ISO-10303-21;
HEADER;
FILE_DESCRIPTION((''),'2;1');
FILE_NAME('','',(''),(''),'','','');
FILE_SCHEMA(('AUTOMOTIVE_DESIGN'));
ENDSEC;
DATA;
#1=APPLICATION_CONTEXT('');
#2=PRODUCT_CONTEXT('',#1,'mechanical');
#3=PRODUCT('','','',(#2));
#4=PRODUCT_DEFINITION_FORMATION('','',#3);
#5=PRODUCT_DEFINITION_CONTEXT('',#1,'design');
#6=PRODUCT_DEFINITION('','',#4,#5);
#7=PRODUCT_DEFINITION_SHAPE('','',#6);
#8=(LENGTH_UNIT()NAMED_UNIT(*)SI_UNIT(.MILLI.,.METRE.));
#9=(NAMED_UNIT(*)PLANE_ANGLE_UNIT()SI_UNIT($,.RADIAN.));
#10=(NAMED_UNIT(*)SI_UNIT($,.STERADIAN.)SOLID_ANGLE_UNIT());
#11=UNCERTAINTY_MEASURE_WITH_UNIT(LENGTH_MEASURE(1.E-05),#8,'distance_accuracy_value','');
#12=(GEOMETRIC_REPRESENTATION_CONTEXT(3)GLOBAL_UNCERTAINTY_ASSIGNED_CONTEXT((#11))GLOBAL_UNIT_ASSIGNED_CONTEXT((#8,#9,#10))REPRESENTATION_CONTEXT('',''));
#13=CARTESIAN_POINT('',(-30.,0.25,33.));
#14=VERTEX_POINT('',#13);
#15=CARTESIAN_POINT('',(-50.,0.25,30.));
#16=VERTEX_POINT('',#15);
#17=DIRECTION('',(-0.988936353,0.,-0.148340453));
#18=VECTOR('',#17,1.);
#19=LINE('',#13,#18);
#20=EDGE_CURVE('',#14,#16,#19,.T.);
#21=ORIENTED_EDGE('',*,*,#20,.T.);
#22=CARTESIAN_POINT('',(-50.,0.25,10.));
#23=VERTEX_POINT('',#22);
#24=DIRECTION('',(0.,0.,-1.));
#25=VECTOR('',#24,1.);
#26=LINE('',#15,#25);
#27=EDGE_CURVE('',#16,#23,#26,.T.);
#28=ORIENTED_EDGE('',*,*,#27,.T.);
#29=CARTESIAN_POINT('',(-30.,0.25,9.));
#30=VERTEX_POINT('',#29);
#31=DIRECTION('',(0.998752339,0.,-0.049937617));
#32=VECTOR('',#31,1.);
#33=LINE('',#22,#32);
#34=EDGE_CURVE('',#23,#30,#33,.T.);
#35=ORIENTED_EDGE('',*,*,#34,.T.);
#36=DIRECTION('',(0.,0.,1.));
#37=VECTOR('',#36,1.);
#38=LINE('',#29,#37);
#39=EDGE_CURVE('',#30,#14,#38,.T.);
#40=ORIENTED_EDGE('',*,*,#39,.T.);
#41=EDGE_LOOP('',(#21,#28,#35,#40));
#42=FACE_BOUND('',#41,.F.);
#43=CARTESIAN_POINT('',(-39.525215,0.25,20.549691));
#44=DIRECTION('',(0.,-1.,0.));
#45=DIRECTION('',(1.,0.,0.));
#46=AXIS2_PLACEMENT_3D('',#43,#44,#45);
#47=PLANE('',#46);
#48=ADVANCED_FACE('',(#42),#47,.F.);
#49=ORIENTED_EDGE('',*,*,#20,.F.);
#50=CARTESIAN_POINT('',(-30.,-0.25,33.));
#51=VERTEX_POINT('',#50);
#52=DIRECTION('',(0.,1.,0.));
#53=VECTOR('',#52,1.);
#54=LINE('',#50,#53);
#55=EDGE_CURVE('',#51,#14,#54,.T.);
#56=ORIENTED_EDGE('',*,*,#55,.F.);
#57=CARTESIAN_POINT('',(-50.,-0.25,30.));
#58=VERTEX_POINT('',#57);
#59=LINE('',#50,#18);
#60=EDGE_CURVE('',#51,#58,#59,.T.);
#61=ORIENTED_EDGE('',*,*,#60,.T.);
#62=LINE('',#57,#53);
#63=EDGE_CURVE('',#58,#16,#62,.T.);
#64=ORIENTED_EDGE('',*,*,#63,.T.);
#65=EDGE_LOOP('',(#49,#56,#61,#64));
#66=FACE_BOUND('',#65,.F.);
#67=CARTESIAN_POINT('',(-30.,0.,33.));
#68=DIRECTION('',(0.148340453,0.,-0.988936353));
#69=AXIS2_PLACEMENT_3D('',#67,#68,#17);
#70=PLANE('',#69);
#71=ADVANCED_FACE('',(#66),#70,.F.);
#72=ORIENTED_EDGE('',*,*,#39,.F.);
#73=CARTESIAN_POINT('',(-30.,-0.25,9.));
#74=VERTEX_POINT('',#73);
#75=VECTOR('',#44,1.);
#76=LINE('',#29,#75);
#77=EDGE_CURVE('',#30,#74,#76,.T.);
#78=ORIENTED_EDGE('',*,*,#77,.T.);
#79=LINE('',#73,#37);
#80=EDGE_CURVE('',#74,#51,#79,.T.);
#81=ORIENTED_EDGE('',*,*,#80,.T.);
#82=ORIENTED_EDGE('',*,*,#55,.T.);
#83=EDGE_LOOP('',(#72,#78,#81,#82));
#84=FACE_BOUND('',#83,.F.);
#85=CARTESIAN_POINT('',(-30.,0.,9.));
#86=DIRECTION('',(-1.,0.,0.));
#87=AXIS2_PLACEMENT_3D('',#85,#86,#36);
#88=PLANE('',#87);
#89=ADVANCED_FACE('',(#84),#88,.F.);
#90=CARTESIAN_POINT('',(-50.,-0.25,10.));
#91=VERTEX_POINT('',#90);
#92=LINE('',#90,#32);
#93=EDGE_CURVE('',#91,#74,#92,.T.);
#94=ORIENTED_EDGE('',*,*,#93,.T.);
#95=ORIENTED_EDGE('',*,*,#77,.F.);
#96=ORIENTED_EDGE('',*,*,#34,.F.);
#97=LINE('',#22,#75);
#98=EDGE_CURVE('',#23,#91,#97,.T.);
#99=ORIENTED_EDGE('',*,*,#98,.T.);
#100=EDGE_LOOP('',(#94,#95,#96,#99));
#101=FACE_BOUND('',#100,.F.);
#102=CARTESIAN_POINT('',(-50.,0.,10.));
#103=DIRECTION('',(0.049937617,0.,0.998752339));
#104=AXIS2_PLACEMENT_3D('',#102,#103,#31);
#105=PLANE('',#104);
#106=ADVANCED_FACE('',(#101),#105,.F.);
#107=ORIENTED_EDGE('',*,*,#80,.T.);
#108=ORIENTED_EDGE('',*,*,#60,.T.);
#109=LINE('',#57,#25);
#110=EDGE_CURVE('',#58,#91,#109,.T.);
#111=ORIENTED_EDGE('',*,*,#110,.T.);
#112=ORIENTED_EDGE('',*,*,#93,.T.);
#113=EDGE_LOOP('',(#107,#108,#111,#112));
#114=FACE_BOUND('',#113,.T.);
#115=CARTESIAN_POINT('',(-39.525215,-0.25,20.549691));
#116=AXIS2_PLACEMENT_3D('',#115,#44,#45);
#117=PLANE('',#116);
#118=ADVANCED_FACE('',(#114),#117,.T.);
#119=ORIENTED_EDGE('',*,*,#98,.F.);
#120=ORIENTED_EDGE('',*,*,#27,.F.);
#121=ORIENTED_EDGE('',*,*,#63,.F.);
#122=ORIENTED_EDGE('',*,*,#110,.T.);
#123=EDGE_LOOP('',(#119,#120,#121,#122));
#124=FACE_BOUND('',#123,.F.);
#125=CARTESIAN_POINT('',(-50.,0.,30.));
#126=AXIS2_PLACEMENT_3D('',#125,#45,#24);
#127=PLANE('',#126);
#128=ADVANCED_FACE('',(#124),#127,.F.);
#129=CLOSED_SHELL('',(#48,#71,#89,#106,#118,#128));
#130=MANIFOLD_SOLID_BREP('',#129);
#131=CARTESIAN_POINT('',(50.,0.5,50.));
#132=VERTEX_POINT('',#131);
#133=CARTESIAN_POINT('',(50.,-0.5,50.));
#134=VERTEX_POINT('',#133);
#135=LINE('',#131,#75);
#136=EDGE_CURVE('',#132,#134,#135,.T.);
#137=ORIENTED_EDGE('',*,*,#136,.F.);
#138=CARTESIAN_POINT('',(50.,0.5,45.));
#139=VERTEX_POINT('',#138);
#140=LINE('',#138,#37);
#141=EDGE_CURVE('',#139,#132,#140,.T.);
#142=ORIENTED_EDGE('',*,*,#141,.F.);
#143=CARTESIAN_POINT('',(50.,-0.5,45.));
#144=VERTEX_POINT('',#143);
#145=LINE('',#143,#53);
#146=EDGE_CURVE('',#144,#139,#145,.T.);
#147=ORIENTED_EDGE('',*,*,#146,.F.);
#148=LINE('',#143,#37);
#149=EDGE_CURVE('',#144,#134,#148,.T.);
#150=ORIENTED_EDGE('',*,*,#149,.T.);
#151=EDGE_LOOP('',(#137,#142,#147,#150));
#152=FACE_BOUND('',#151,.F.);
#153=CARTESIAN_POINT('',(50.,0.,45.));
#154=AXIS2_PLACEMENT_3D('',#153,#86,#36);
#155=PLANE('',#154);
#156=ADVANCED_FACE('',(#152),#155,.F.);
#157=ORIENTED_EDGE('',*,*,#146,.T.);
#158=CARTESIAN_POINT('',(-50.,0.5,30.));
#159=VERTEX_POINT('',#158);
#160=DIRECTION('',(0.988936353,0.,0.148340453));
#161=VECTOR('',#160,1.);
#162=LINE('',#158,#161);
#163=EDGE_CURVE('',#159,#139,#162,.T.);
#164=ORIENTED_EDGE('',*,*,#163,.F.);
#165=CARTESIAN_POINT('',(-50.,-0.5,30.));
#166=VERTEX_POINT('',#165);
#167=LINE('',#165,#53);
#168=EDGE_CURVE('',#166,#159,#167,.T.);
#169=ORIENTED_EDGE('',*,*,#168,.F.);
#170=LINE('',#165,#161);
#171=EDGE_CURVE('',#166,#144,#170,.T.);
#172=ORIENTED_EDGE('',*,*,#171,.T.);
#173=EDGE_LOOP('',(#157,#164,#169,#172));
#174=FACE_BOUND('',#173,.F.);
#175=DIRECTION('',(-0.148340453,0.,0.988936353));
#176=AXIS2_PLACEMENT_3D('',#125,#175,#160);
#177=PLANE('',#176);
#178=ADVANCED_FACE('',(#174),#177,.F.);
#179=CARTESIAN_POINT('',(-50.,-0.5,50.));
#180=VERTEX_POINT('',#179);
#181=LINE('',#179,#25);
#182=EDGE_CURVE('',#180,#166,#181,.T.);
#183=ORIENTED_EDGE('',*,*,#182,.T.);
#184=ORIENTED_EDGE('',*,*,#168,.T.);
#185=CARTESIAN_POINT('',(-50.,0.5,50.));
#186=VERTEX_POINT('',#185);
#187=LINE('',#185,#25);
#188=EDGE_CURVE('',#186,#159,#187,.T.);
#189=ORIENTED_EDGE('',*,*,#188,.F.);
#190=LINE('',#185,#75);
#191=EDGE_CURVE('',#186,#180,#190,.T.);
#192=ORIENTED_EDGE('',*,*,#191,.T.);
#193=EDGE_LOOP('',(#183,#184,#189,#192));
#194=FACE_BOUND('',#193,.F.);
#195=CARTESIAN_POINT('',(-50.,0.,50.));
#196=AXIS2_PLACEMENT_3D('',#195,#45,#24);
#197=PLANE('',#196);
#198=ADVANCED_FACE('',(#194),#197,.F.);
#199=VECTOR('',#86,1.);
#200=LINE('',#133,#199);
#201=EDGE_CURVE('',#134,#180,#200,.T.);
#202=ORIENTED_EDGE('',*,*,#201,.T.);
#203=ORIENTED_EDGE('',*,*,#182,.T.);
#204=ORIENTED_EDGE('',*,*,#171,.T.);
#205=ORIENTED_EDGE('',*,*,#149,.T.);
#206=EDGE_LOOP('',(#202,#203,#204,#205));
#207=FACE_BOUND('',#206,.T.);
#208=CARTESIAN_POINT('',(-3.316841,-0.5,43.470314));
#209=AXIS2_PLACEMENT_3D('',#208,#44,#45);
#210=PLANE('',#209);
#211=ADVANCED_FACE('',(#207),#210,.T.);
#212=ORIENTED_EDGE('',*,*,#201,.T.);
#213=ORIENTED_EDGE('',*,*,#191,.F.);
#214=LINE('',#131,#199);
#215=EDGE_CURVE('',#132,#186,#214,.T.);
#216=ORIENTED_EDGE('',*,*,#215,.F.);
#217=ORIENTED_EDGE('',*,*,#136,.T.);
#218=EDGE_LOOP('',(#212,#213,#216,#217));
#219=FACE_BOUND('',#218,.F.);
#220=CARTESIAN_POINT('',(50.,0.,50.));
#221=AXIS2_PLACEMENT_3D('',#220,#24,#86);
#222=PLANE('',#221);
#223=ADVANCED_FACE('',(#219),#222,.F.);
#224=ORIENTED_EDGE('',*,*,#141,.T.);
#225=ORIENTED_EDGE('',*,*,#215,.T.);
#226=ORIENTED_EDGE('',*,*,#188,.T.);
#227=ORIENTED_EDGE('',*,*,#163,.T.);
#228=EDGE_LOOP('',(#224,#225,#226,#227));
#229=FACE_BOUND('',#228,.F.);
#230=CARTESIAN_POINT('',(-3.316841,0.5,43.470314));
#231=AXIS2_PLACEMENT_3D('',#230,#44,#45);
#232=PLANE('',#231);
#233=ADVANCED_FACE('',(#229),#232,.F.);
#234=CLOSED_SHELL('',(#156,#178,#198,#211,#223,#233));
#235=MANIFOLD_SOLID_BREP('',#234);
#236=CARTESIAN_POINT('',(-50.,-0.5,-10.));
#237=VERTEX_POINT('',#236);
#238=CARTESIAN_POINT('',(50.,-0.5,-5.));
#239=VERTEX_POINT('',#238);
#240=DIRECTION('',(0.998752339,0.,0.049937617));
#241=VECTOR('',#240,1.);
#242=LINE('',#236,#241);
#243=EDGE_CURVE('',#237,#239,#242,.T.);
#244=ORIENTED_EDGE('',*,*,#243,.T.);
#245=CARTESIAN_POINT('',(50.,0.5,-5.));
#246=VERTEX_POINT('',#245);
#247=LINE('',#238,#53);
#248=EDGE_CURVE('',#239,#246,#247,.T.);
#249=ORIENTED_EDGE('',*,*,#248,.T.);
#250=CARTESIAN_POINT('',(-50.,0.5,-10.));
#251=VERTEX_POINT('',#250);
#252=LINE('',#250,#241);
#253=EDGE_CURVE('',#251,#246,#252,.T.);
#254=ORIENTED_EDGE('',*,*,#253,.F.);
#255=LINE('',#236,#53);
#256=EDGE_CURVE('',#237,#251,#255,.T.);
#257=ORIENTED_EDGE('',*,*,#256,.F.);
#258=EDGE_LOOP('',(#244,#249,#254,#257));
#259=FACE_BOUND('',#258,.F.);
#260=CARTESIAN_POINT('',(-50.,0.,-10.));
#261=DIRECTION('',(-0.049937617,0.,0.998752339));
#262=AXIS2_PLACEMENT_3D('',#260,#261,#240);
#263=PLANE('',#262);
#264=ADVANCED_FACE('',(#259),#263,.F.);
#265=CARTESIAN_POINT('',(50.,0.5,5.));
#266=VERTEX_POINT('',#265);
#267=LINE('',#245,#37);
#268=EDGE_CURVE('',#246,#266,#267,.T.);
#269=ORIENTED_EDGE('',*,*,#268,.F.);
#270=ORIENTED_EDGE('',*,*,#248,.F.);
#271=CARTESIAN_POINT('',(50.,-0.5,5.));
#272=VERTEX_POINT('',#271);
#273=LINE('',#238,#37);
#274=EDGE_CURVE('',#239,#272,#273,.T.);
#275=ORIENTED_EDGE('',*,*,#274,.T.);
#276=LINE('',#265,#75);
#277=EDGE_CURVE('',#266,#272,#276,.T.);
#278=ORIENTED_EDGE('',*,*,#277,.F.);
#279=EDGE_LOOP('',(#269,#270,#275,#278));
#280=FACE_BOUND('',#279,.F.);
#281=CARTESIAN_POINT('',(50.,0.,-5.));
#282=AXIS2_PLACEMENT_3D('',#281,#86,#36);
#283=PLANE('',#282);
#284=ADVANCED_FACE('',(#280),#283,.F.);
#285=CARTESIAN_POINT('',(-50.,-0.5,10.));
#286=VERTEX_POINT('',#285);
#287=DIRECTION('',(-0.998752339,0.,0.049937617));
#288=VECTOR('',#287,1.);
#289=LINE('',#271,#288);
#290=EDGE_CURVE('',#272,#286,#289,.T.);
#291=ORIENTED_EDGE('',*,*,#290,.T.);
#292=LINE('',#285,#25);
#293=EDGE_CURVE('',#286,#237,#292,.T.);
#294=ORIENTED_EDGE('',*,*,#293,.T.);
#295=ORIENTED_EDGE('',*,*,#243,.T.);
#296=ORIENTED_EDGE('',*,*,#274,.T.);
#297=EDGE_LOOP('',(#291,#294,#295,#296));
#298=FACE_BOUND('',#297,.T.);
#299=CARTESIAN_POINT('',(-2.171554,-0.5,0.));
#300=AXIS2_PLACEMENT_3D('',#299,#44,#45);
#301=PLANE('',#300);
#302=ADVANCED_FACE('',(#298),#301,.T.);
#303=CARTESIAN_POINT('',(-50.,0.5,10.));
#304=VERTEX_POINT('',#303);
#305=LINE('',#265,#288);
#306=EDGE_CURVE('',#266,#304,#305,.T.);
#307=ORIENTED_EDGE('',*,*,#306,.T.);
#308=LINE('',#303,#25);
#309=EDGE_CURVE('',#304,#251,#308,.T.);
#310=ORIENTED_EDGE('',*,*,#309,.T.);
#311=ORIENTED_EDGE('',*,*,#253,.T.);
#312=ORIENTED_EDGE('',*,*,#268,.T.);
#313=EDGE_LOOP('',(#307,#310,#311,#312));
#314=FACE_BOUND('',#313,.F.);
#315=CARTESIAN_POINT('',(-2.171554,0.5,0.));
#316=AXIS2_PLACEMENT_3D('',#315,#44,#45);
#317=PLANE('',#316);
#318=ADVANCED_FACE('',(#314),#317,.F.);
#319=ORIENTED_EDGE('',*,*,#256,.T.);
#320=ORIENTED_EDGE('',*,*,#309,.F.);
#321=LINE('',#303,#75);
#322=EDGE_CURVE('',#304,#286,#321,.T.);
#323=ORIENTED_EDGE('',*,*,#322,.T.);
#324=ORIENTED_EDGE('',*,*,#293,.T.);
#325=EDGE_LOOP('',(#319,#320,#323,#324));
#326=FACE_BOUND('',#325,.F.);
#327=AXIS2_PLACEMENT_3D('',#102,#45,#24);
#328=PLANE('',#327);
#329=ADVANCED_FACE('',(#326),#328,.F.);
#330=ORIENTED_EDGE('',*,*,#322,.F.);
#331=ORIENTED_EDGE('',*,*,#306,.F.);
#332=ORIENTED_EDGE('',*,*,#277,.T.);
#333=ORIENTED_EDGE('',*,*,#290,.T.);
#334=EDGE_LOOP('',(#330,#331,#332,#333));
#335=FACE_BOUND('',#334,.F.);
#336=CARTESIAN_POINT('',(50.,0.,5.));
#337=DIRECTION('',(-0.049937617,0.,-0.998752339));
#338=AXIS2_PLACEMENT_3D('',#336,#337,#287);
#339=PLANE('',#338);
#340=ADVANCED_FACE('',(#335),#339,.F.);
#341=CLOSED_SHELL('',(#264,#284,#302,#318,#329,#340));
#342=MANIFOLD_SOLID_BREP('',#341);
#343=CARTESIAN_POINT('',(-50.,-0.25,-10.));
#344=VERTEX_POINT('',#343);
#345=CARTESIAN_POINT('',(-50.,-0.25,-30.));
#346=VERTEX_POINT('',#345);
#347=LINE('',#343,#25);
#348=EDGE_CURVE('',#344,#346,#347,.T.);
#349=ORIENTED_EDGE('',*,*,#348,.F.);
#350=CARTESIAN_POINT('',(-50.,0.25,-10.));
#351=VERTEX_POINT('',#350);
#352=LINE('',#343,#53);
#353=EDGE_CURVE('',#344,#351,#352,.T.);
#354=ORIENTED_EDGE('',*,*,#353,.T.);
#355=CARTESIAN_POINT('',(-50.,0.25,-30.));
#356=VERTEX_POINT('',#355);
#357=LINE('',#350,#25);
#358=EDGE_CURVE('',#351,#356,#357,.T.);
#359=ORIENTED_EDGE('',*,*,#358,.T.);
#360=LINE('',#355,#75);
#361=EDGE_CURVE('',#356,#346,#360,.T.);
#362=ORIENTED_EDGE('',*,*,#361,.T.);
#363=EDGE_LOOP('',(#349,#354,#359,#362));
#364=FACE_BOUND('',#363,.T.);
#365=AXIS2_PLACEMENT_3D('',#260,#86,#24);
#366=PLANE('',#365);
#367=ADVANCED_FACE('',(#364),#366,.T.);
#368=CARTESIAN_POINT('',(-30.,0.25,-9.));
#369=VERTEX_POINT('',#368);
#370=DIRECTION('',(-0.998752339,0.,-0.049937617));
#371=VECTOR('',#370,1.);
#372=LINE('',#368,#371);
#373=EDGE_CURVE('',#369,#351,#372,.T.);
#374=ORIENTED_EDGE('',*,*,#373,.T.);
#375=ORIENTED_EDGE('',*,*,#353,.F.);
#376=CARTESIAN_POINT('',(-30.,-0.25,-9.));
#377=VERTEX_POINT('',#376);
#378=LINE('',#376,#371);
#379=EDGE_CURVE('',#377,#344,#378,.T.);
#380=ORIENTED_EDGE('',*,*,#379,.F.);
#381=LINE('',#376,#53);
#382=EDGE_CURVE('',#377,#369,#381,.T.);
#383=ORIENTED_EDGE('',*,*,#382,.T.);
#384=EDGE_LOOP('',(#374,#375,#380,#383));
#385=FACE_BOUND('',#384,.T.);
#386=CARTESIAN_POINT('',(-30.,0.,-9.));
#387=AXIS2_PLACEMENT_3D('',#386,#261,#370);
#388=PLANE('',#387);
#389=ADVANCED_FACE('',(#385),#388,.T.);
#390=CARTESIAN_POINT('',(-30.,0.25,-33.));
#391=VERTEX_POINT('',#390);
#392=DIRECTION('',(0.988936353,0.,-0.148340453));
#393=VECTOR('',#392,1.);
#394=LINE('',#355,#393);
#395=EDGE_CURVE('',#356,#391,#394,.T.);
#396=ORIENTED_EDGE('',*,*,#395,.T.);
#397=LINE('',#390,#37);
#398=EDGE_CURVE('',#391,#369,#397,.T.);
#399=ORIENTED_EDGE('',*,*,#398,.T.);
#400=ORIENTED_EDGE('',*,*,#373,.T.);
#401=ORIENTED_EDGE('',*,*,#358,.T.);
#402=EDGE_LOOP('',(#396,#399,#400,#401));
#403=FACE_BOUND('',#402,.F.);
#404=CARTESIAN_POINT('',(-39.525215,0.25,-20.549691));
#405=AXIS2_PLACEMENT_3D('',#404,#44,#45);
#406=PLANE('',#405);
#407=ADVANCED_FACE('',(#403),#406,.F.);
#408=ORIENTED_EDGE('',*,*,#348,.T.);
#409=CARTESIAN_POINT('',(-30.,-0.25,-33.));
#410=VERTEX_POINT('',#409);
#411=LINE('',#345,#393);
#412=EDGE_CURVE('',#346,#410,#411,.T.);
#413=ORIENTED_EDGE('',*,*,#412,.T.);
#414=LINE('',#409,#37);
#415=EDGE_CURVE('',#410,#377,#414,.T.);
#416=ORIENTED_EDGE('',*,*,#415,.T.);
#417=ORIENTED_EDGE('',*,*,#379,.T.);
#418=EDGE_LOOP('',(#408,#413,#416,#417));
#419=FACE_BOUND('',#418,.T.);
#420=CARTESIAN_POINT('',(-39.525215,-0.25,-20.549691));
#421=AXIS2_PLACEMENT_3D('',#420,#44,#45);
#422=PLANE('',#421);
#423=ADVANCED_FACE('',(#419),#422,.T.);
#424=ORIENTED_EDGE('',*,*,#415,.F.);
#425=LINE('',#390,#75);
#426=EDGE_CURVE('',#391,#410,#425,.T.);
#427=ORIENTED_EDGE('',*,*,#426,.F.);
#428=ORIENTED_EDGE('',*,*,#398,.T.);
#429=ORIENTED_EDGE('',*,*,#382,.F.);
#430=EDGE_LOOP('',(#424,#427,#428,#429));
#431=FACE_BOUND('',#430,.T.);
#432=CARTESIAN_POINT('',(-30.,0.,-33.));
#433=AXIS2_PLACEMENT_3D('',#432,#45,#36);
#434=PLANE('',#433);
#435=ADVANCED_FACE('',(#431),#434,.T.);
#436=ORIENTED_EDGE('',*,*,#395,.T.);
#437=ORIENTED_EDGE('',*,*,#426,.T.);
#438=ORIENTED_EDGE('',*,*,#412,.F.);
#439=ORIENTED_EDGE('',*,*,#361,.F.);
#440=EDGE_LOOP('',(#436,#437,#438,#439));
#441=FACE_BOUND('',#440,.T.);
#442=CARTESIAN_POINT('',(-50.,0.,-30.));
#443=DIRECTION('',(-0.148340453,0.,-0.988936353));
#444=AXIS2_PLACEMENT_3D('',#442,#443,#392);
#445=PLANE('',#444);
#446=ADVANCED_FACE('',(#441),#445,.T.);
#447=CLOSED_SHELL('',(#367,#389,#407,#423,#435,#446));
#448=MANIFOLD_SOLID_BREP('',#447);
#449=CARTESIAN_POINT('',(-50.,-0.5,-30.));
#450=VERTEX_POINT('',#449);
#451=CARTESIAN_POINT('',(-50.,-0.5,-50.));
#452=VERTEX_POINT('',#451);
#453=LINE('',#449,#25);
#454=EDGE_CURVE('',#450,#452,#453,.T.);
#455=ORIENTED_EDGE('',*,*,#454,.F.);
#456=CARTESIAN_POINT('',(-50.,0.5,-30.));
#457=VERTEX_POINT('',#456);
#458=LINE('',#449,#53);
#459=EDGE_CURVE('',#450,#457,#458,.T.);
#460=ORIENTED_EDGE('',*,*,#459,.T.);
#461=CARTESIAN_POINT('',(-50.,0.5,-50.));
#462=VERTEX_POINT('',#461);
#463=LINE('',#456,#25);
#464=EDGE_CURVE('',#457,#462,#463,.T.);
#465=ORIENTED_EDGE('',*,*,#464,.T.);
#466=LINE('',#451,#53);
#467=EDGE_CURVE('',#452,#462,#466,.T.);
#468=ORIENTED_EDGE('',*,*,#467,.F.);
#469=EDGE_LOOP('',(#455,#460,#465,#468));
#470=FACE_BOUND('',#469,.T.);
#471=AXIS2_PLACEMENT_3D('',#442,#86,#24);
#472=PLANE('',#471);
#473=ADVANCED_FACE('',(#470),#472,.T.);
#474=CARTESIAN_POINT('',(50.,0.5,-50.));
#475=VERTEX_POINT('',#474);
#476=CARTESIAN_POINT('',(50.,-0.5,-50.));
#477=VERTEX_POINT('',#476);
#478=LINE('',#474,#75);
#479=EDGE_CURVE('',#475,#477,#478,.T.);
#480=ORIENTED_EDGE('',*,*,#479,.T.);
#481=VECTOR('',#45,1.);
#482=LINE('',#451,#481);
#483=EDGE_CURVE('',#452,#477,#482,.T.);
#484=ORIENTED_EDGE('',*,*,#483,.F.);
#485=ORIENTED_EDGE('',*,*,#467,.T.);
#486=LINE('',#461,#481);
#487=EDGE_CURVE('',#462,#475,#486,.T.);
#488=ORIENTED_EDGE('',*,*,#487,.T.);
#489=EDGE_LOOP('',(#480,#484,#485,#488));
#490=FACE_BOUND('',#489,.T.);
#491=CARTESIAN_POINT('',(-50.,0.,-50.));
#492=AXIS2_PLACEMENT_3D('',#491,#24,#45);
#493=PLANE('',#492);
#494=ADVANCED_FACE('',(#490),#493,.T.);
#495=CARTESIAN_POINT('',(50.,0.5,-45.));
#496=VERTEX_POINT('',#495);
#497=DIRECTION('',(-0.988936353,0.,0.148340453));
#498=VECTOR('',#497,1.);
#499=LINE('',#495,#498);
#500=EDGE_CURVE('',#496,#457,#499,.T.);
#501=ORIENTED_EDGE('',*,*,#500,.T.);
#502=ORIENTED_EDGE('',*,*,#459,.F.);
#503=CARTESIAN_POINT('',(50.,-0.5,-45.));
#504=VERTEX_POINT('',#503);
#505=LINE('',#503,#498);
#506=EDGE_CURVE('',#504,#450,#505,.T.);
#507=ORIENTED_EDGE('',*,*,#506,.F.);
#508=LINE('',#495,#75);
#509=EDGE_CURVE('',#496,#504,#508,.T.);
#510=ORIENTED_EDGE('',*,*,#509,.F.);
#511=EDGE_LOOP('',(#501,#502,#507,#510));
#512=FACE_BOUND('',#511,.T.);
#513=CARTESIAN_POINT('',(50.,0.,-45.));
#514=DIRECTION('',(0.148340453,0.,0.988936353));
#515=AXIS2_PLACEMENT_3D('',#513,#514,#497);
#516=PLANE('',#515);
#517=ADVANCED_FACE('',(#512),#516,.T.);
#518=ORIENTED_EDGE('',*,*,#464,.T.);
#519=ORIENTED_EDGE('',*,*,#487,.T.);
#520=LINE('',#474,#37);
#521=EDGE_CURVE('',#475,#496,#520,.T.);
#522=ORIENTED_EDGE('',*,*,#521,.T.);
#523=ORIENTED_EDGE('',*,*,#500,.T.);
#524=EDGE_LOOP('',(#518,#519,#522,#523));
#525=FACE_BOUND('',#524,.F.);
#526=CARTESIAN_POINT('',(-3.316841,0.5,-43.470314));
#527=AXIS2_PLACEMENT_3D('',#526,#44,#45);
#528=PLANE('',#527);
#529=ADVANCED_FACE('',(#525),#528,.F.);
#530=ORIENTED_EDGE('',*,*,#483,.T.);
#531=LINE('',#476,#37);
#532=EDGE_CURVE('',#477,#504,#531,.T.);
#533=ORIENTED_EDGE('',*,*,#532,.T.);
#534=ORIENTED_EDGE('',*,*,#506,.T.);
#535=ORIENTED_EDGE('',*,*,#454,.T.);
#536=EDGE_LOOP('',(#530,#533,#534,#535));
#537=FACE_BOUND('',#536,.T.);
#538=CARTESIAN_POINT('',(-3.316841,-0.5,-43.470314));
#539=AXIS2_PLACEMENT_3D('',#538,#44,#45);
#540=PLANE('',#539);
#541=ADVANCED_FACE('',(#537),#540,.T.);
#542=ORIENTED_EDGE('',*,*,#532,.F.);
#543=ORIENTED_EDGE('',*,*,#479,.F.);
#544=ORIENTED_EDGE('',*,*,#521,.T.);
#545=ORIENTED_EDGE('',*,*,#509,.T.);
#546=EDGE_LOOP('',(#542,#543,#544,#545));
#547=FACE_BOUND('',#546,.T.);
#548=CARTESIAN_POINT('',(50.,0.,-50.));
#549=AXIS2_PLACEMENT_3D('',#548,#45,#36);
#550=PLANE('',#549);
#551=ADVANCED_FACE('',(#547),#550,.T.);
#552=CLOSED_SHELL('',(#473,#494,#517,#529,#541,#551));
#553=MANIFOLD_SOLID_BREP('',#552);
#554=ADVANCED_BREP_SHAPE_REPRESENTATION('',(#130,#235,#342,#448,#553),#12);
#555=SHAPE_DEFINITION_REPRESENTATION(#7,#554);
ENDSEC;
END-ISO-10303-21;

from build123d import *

# Parameters (mm, degrees)
F1_DEPTH = 0.5
F2_DEPTH = 0.25


with BuildPart() as f1:
    # F0 (on Front) → F1 (new body, symmetric)
    with BuildSketch(Plane.XZ):
        Polygon((-30, 33), (50, 45), (50, 50), (-50, 50), (-50, 30), align=None)
        Polygon((-30, -9), (50, -5), (50, 5), (-30, 9), (-50, 10), (-50, -10), align=None)
        Polygon((-50, -50), (50, -50), (50, -45), (-30, -33), (-50, -30), align=None)
    extrude(amount=F1_DEPTH, both=True)


with BuildPart() as f2:
    # F0 (on Front) → F2 (new body, symmetric)
    with BuildSketch(Plane.XZ):
        Polygon((-50, 30), (-50, 10), (-30, 9), (-30, 33), align=None)
        Polygon((-50, -10), (-50, -30), (-30, -33), (-30, -9), align=None)
    extrude(amount=F2_DEPTH, both=True)


solid = Compound([f1.part, f2.part])
